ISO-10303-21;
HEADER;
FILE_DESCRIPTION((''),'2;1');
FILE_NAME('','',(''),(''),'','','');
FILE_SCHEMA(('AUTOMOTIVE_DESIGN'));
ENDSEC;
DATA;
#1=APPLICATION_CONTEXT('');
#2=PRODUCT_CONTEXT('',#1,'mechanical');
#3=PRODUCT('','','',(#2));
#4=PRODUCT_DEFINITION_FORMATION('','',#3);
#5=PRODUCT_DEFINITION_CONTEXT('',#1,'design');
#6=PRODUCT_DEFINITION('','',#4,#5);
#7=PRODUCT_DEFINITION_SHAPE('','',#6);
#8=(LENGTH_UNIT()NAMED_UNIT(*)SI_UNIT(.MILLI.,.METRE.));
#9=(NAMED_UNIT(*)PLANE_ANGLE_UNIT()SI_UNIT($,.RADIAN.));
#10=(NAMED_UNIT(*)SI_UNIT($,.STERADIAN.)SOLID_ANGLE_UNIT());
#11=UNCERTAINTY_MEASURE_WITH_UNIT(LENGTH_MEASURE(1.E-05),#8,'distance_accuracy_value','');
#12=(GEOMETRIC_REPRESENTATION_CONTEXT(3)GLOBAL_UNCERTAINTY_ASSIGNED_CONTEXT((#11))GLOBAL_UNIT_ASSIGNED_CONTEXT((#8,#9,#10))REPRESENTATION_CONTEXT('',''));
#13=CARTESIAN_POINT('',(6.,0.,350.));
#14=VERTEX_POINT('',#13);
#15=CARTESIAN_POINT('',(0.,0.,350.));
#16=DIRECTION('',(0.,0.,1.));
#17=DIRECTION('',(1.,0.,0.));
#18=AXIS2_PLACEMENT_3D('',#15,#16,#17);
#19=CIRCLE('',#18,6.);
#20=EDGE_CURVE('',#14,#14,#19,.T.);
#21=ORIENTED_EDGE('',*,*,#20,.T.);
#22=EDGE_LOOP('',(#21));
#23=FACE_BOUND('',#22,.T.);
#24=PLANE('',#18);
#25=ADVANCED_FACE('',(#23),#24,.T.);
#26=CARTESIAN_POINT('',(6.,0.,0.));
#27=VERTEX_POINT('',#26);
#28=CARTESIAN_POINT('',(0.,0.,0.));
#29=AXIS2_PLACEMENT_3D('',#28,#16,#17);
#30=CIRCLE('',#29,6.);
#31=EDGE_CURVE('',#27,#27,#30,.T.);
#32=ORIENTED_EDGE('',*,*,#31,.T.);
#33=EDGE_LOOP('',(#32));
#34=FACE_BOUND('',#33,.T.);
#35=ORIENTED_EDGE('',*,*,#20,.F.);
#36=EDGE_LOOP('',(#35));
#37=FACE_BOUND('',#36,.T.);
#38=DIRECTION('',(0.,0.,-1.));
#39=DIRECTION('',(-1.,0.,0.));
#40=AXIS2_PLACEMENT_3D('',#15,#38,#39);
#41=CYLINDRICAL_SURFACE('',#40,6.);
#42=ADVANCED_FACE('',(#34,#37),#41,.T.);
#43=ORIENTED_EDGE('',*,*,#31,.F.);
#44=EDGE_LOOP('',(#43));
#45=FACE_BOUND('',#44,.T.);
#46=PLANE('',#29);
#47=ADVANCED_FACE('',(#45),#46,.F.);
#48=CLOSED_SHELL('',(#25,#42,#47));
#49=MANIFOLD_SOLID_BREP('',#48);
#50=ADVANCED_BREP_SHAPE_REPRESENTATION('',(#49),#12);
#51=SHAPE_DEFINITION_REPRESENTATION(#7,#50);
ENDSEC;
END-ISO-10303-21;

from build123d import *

# Parameters (mm, degrees)
SKETCH1_R           = 6
BOSS_EXTRUDE1_DEPTH = 350


with BuildPart() as part:
    # Sketch1 → Boss-Extrude1 (new body)
    with BuildSketch(Plane.XY):
        Circle(SKETCH1_R)
    extrude(amount=BOSS_EXTRUDE1_DEPTH)


solid = part.part
